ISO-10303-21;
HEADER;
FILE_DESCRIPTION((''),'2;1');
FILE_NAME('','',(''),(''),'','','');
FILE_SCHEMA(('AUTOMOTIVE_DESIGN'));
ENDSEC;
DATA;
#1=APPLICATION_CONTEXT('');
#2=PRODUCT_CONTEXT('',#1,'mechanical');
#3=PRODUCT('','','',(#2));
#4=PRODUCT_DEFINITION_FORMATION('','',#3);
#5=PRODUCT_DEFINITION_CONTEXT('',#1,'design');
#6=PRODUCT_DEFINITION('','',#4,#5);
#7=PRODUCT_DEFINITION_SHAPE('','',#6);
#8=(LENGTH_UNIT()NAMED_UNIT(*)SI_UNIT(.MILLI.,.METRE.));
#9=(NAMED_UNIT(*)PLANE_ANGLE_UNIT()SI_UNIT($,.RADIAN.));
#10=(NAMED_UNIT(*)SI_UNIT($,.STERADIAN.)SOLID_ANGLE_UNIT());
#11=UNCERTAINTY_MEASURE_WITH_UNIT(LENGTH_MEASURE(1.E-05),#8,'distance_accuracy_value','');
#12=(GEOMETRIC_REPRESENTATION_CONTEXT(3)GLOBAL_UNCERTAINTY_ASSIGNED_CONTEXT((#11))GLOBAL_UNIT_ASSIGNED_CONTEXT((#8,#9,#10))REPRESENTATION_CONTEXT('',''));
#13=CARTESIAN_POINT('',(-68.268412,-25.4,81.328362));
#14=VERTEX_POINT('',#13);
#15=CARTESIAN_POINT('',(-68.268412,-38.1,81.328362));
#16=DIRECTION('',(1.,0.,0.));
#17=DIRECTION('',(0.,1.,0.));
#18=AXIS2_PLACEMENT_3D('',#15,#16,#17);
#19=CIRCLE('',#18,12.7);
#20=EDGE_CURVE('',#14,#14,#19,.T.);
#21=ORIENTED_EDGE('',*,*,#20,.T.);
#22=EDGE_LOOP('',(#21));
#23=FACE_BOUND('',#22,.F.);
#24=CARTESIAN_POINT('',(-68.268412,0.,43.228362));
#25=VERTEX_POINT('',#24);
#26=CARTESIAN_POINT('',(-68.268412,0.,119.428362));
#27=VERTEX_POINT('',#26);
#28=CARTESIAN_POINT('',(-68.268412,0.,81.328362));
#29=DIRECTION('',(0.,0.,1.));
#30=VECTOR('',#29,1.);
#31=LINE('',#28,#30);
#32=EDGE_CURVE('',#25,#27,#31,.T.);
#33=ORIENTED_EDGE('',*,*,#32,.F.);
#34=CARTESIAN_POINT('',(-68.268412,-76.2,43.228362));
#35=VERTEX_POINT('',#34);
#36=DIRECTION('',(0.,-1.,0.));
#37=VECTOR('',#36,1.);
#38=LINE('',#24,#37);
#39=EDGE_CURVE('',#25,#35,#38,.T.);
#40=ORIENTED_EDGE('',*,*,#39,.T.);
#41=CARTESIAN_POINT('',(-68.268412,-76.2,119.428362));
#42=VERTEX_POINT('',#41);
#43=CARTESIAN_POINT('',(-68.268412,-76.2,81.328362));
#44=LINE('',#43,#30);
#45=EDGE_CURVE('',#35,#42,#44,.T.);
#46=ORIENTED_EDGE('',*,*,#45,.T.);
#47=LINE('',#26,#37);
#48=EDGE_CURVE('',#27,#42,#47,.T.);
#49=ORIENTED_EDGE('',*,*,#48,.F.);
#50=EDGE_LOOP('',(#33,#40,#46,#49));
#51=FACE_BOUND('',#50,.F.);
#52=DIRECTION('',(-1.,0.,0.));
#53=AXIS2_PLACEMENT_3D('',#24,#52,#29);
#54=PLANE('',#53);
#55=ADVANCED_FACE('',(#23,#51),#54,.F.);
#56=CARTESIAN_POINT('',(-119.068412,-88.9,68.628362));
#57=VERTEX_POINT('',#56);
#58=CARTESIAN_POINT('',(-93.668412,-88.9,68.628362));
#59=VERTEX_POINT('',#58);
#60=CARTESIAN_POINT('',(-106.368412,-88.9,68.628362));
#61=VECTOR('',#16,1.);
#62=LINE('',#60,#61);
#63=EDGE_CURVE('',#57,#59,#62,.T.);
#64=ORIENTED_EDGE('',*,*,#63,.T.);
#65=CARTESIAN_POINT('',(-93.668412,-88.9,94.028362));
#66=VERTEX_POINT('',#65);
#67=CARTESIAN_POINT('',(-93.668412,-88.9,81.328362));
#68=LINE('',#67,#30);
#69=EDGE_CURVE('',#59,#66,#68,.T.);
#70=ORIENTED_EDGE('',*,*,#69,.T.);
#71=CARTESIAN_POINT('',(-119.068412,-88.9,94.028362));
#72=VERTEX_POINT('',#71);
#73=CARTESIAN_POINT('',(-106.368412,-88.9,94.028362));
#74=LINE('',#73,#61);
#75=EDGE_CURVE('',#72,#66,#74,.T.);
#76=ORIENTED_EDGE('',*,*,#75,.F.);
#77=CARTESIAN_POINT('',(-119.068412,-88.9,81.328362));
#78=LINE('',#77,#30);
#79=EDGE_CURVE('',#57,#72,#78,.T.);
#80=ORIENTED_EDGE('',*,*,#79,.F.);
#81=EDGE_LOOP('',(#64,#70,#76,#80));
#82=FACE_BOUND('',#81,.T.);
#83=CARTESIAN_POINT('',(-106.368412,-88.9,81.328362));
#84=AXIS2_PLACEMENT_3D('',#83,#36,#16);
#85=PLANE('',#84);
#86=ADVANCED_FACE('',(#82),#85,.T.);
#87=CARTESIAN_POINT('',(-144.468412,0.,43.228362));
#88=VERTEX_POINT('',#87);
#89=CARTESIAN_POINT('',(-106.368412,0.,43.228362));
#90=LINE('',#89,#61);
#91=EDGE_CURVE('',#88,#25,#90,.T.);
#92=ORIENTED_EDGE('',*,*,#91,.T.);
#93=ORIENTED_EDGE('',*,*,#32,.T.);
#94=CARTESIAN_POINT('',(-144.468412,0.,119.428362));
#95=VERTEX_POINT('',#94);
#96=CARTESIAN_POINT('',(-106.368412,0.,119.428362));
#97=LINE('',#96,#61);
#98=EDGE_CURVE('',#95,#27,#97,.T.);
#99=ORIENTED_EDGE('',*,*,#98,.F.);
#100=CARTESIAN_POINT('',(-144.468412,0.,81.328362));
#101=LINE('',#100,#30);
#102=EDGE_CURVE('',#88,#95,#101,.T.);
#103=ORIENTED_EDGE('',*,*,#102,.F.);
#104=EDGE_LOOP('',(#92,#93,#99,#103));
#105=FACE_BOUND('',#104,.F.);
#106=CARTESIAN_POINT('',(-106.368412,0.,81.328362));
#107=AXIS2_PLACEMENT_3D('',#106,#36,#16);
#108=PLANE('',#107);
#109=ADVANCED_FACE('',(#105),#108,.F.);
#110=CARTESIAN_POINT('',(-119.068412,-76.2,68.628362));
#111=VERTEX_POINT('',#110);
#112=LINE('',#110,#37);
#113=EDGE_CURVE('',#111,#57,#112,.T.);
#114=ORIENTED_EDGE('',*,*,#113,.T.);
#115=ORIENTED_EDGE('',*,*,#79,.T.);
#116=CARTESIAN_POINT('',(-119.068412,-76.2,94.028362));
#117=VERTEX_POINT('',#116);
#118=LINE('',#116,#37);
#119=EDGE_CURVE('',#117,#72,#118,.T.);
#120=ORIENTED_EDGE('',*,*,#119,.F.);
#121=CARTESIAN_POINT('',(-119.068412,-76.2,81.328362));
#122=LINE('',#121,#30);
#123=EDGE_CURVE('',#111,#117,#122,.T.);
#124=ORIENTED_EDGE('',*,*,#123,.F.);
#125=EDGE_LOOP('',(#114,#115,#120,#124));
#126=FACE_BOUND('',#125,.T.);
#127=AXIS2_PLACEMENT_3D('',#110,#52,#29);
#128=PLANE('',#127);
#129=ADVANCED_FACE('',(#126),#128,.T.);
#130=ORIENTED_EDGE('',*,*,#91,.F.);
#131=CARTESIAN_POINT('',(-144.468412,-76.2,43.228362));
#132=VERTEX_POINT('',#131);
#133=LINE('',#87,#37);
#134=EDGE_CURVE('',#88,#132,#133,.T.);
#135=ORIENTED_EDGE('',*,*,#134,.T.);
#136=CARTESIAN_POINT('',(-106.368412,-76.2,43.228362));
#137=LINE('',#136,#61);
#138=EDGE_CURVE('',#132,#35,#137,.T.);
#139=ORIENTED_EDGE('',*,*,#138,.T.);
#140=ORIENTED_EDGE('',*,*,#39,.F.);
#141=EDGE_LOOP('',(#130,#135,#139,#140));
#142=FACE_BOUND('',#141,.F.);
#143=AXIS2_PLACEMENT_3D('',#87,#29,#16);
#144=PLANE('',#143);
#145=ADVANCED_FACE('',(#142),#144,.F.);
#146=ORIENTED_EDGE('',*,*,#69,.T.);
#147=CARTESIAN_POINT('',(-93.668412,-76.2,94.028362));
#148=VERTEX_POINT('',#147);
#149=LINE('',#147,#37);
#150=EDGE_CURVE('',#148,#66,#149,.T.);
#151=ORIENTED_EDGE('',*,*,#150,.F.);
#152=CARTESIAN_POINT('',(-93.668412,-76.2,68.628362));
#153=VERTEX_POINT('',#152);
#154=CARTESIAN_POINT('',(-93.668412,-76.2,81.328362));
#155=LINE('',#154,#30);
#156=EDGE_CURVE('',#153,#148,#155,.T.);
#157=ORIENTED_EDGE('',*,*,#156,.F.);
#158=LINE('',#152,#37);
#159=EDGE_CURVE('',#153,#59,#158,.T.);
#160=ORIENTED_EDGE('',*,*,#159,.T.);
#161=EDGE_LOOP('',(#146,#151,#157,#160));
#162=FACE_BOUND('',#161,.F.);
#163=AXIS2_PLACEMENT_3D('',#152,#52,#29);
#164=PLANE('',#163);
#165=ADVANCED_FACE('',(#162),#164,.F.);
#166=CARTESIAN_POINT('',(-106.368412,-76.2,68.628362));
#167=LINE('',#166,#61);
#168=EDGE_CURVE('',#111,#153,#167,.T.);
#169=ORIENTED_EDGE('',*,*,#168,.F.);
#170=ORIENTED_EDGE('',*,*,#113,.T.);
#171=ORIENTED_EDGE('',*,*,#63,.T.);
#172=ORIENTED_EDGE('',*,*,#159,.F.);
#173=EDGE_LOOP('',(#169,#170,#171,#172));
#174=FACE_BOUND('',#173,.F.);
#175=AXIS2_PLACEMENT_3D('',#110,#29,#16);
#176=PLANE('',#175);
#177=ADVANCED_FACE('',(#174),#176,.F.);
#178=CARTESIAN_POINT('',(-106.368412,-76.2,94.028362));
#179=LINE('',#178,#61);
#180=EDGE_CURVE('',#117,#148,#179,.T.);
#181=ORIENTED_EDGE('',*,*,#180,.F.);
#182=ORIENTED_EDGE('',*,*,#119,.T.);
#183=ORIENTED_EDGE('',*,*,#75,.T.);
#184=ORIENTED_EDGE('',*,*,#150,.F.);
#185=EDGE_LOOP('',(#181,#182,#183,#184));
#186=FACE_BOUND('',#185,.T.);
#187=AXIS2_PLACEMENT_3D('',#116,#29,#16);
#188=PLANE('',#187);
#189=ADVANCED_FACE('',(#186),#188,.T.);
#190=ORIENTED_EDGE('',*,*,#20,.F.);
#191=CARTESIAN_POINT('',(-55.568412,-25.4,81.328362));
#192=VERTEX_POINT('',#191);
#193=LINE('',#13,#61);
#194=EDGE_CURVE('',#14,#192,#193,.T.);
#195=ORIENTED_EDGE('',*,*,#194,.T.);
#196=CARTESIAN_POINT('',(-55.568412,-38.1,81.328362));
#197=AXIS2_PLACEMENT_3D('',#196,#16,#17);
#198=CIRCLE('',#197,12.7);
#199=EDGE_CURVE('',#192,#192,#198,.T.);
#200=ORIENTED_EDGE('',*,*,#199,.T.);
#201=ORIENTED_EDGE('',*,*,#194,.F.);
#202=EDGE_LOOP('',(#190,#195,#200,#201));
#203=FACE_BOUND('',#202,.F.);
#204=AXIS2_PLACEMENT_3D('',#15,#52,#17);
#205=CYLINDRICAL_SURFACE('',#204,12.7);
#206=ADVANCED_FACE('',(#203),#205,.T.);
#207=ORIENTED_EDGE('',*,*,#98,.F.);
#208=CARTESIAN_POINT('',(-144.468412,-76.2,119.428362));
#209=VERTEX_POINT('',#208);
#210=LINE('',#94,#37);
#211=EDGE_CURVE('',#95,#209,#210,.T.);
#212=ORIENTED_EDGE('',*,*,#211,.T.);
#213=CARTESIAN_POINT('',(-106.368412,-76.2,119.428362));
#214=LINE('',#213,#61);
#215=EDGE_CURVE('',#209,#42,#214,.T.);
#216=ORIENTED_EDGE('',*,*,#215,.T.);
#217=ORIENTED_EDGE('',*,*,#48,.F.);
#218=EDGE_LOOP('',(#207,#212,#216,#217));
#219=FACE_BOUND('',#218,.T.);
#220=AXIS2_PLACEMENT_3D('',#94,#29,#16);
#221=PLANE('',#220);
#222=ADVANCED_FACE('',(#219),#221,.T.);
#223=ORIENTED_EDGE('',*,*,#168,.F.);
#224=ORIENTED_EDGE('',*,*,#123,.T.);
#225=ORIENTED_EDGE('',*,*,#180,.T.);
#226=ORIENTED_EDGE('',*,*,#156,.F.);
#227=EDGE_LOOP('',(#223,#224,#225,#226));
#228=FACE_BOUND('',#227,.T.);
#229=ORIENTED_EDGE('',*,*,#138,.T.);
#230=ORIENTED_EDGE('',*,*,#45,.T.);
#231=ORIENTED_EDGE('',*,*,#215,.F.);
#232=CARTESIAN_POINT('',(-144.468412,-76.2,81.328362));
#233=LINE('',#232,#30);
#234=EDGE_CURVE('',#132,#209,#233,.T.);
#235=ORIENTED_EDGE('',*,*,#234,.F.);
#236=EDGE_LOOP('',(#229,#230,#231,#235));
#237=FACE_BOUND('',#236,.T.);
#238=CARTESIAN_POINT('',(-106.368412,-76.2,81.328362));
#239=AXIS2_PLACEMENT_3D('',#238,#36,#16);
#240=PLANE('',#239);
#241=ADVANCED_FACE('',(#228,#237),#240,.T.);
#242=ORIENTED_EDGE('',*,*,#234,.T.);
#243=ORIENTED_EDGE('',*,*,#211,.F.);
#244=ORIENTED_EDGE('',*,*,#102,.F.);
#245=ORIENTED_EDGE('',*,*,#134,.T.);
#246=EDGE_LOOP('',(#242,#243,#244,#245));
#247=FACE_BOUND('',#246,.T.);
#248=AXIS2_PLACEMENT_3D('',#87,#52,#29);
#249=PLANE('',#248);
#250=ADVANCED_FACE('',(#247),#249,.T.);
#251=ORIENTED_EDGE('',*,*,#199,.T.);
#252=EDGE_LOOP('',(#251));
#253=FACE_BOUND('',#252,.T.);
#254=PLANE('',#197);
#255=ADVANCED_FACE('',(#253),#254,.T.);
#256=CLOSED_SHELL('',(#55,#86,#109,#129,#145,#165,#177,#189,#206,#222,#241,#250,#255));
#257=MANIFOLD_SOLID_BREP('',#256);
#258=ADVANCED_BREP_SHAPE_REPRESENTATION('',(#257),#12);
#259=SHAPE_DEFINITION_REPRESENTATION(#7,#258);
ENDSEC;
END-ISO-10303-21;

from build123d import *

# Parameters (mm, degrees)
F0_W     = 76.2
F0_H     = 76.2
F1_DEPTH = 76.2
F2_W     = 25.4
F2_H     = 25.4
F3_DEPTH = 12.7
F4_R     = 12.7
F5_DEPTH = 12.7


with BuildPart() as f1:
    # F0 (on Front) → F1 (new body)
    with BuildSketch(Plane.XZ):
        with Locations((-106.368412, 81.328362)):
            Rectangle(F0_W, F0_H)
    extrude(amount=F1_DEPTH)

    # F2 (on face) → F3 (join)
    with BuildSketch(Plane.XZ.offset(76.2)):
        with Locations((-106.368412, 81.328362)):
            Rectangle(F2_W, F2_H)
    extrude(amount=F3_DEPTH)

    # F4 (on face) → F5 (join)
    with BuildSketch(Plane.YZ.offset(-68.268412)):
        with Locations((-38.1, 81.328362)):
            Circle(F4_R)
    extrude(amount=F5_DEPTH)


solid = f1.part
